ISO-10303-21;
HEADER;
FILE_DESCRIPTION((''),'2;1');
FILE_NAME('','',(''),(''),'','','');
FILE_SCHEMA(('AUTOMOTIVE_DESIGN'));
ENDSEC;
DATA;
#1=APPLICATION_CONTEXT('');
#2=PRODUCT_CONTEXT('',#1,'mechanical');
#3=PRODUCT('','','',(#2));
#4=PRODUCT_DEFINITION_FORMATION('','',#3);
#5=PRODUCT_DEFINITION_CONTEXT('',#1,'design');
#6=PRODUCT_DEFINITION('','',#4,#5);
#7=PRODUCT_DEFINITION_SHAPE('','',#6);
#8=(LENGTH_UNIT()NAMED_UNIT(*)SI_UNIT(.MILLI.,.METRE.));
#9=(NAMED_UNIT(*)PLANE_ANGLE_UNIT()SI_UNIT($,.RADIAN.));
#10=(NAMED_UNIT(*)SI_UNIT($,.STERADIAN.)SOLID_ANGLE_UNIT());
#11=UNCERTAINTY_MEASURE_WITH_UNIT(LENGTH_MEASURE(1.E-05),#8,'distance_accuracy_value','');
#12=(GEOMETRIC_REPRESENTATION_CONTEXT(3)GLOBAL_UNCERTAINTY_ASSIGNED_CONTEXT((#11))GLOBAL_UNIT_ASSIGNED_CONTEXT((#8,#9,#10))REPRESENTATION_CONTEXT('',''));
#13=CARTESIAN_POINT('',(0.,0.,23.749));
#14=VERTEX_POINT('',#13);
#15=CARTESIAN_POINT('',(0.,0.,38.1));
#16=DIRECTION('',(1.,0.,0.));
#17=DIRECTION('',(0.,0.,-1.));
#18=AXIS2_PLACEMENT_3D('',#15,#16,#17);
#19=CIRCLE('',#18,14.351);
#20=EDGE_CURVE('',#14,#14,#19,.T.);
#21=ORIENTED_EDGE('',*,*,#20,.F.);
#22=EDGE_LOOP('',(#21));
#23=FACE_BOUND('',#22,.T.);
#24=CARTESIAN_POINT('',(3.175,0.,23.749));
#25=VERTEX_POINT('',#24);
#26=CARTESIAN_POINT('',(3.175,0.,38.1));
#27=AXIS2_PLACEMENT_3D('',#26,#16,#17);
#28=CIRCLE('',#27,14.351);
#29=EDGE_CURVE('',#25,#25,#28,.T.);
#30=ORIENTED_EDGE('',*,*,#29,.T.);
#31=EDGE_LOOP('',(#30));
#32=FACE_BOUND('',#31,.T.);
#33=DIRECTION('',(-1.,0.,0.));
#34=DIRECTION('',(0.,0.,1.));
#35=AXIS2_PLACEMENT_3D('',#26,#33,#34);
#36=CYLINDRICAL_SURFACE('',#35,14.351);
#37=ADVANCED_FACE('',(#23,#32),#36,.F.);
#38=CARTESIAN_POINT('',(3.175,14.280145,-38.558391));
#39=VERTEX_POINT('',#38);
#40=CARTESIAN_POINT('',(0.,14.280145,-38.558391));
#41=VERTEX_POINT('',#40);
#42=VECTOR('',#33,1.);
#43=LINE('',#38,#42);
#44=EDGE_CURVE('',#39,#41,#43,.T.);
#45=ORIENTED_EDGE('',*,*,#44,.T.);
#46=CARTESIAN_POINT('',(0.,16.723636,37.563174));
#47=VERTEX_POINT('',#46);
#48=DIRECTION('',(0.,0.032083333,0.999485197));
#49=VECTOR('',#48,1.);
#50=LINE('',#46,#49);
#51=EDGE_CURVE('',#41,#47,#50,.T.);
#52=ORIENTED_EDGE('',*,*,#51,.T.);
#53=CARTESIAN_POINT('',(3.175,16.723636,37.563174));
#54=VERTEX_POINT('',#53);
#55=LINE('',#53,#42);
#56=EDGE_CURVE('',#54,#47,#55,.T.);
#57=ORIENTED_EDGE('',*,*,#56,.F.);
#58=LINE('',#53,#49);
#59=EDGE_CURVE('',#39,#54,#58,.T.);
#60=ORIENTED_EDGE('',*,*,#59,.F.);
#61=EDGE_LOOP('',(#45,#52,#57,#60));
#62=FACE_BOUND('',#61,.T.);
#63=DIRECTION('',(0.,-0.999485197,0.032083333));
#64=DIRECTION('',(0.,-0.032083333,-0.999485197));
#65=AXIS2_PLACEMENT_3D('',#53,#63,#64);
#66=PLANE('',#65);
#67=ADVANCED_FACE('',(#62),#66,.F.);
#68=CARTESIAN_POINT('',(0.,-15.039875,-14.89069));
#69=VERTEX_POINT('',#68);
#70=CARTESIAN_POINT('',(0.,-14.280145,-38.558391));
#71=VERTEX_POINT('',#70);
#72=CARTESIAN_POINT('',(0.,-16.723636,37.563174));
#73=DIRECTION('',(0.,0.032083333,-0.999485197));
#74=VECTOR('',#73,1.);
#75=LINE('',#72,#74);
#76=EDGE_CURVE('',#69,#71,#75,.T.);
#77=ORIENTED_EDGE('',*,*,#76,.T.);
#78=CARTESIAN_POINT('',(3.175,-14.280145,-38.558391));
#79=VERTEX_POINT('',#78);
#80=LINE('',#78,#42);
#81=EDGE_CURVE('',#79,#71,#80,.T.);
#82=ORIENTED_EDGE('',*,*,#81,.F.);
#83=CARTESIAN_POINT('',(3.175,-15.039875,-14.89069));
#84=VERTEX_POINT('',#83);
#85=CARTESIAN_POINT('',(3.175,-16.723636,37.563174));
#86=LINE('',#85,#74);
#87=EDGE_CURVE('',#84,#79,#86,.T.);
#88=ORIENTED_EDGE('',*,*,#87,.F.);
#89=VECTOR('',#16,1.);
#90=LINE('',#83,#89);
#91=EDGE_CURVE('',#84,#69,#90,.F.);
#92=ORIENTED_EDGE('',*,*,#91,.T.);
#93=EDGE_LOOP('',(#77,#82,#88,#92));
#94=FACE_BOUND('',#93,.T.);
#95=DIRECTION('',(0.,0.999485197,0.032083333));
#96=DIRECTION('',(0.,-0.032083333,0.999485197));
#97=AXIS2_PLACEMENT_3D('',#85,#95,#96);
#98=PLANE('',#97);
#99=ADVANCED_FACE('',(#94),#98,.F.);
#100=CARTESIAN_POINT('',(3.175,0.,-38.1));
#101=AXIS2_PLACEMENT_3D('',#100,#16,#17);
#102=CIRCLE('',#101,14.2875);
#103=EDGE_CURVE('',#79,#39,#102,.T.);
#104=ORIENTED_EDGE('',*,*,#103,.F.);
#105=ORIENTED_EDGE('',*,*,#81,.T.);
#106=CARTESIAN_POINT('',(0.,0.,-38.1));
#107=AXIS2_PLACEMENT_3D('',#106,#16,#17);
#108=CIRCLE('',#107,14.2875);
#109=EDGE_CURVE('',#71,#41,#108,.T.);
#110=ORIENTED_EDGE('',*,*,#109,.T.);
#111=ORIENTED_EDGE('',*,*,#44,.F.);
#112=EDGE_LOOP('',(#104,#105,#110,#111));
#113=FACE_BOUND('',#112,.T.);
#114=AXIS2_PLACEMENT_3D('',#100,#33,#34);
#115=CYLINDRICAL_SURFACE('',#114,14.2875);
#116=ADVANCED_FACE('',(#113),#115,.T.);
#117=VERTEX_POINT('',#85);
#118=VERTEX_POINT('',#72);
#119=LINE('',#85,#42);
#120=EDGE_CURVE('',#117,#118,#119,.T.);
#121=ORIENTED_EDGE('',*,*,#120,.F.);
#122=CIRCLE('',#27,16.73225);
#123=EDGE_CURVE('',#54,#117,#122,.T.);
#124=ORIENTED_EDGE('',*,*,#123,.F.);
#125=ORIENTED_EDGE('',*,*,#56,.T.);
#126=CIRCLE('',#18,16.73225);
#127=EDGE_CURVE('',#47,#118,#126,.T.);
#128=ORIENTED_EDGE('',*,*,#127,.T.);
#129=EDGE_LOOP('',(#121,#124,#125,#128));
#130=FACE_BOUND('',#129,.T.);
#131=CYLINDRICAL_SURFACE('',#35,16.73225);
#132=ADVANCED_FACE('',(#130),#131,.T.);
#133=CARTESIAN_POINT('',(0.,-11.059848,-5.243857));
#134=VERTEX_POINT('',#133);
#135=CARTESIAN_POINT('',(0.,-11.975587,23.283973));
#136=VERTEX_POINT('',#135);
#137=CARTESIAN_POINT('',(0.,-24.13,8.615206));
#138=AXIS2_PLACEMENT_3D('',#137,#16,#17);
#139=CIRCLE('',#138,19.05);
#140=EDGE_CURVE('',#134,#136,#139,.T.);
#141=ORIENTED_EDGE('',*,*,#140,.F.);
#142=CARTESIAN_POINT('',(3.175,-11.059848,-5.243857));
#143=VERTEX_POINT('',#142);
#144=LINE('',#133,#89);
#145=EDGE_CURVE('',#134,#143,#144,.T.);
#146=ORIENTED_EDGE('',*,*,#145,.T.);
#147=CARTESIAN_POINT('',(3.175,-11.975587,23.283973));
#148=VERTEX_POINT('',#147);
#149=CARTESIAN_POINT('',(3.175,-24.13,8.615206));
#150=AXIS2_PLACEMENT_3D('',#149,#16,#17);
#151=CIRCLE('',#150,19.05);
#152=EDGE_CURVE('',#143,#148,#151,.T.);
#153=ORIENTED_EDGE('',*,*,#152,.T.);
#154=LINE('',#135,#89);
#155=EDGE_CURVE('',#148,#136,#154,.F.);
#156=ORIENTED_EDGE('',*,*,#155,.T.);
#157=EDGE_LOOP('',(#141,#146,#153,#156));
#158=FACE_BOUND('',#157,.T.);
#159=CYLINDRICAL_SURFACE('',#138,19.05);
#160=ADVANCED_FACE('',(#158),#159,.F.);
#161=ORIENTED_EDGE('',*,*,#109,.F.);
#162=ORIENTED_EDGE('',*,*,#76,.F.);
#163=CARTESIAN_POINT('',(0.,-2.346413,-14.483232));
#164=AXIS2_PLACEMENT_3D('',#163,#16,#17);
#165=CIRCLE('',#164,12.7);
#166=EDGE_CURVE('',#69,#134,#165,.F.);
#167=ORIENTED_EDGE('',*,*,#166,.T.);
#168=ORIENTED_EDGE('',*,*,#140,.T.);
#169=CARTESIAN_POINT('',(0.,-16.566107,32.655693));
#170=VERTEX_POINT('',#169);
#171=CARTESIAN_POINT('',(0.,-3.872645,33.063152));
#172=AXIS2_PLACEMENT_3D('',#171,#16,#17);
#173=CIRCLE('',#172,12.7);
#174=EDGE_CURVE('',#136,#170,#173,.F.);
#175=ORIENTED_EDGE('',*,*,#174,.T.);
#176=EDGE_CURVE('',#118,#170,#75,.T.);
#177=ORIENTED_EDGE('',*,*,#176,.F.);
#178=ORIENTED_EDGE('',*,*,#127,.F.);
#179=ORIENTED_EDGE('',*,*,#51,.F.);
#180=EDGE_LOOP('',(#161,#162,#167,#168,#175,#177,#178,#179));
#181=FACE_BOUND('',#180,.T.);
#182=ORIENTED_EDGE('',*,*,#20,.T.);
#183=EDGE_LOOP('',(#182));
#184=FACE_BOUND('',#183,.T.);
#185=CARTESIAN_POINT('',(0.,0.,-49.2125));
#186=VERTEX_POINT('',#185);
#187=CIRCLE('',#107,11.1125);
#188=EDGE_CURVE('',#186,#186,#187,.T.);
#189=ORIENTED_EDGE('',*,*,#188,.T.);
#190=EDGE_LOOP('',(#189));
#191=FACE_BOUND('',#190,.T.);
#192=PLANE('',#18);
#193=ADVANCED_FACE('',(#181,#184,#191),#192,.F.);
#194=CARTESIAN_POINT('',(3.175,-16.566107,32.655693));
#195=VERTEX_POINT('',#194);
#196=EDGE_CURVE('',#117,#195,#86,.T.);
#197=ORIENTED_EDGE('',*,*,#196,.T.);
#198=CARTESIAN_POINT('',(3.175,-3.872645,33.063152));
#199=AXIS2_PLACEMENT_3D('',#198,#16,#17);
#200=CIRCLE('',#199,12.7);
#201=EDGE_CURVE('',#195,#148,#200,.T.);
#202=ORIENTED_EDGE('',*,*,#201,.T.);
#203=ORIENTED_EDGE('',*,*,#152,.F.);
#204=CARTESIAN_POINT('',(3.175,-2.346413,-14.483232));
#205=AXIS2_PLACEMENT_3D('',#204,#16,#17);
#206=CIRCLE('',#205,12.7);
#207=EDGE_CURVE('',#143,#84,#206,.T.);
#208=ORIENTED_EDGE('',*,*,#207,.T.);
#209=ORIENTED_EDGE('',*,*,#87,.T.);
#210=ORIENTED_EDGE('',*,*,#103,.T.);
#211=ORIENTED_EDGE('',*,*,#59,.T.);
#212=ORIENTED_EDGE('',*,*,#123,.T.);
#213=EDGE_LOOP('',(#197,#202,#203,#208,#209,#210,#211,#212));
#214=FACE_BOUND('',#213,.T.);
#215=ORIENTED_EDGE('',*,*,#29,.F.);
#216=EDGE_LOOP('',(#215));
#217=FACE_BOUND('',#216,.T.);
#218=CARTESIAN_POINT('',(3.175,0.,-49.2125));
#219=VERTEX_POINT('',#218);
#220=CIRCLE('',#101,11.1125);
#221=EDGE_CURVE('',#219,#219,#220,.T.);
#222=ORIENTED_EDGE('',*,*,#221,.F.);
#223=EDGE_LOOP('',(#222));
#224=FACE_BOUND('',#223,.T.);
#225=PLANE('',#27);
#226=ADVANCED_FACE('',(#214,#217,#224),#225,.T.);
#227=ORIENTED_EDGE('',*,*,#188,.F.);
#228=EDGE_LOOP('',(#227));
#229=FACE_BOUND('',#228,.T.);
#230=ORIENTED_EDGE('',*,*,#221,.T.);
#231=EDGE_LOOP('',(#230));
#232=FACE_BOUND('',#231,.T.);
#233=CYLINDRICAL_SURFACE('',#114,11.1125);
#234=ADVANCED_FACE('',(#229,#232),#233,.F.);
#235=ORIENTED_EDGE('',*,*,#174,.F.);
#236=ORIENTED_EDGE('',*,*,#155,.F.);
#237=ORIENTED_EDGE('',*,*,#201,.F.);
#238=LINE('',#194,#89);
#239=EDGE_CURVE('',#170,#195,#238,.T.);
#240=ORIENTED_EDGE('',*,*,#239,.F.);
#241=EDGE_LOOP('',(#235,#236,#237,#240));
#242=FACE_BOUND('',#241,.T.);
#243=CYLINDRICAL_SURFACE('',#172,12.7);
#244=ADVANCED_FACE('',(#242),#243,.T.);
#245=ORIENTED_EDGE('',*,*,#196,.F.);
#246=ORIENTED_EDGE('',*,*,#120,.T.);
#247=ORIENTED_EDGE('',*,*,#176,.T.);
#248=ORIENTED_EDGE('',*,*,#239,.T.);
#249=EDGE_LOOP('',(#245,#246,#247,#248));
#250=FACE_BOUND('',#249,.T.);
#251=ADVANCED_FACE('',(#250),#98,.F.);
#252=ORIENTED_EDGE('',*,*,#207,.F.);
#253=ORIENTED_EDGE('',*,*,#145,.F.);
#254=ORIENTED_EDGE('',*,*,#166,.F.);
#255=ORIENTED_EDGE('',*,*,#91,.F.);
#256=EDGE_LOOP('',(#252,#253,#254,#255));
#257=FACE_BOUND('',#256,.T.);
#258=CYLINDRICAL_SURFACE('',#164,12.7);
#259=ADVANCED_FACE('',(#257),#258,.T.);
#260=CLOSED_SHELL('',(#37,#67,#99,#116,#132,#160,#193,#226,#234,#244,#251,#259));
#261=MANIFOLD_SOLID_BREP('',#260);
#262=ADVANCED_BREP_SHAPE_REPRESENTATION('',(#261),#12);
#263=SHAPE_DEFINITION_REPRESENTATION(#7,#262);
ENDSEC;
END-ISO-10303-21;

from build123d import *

# Parameters (mm, degrees)
SKETCH1_R           = 14.351
SKETCH1_R_2         = 11.1125
BOSS_EXTRUDE1_DEPTH = 3.175
SKETCH2_R           = 19.05
CUT_EXTRUDE1_DEPTH  = 58.416238601
FILLET1_R           = 12.7


with BuildPart() as part:
    # Sketch1 → Boss-Extrude1 (new body)
    with BuildSketch(Plane(origin=(0, 0, 0), x_dir=(0, 0, -1), z_dir=(1, 0, 0))):
        with BuildLine():
            Line((-37.563173646, 16.723636193), (38.558390625, 14.280144757))
            ThreePointArc((38.558390625, 14.280144757), (52.3875, 0), (38.558390625, -14.280144757))
            Line((38.558390625, -14.280144757), (-37.563173646, -16.723636193))
            ThreePointArc((-37.563173646, -16.723636193), (-54.83225, 0), (-37.563173646, 16.723636193))
        make_face()
        with Locations((-38.1, 0)):
            Circle(SKETCH1_R, mode=Mode.SUBTRACT)
        with Locations((38.1, 0)):
            Circle(SKETCH1_R_2, mode=Mode.SUBTRACT)
    extrude(amount=BOSS_EXTRUDE1_DEPTH)

    # Sketch2 → Cut-Extrude1 (cut, through all)
    with BuildSketch(Plane(origin=(3.175, 0, 0), x_dir=(0, 0, -1), z_dir=(1, 0, 0))):
        with Locations((-8.615205614, -24.13)):
            Circle(SKETCH2_R)
    extrude(amount=-CUT_EXTRUDE1_DEPTH, mode=Mode.SUBTRACT)

    # Fillet1
    fillet1_edges = [part.edges().sort_by_distance(p)[0] for p in [
        (1.5875, -15.253351608, -8.240286468),
        (1.5875, -16.352629743, 26.005289337),
    ]]
    fillet(fillet1_edges, radius=FILLET1_R)


solid = part.part
